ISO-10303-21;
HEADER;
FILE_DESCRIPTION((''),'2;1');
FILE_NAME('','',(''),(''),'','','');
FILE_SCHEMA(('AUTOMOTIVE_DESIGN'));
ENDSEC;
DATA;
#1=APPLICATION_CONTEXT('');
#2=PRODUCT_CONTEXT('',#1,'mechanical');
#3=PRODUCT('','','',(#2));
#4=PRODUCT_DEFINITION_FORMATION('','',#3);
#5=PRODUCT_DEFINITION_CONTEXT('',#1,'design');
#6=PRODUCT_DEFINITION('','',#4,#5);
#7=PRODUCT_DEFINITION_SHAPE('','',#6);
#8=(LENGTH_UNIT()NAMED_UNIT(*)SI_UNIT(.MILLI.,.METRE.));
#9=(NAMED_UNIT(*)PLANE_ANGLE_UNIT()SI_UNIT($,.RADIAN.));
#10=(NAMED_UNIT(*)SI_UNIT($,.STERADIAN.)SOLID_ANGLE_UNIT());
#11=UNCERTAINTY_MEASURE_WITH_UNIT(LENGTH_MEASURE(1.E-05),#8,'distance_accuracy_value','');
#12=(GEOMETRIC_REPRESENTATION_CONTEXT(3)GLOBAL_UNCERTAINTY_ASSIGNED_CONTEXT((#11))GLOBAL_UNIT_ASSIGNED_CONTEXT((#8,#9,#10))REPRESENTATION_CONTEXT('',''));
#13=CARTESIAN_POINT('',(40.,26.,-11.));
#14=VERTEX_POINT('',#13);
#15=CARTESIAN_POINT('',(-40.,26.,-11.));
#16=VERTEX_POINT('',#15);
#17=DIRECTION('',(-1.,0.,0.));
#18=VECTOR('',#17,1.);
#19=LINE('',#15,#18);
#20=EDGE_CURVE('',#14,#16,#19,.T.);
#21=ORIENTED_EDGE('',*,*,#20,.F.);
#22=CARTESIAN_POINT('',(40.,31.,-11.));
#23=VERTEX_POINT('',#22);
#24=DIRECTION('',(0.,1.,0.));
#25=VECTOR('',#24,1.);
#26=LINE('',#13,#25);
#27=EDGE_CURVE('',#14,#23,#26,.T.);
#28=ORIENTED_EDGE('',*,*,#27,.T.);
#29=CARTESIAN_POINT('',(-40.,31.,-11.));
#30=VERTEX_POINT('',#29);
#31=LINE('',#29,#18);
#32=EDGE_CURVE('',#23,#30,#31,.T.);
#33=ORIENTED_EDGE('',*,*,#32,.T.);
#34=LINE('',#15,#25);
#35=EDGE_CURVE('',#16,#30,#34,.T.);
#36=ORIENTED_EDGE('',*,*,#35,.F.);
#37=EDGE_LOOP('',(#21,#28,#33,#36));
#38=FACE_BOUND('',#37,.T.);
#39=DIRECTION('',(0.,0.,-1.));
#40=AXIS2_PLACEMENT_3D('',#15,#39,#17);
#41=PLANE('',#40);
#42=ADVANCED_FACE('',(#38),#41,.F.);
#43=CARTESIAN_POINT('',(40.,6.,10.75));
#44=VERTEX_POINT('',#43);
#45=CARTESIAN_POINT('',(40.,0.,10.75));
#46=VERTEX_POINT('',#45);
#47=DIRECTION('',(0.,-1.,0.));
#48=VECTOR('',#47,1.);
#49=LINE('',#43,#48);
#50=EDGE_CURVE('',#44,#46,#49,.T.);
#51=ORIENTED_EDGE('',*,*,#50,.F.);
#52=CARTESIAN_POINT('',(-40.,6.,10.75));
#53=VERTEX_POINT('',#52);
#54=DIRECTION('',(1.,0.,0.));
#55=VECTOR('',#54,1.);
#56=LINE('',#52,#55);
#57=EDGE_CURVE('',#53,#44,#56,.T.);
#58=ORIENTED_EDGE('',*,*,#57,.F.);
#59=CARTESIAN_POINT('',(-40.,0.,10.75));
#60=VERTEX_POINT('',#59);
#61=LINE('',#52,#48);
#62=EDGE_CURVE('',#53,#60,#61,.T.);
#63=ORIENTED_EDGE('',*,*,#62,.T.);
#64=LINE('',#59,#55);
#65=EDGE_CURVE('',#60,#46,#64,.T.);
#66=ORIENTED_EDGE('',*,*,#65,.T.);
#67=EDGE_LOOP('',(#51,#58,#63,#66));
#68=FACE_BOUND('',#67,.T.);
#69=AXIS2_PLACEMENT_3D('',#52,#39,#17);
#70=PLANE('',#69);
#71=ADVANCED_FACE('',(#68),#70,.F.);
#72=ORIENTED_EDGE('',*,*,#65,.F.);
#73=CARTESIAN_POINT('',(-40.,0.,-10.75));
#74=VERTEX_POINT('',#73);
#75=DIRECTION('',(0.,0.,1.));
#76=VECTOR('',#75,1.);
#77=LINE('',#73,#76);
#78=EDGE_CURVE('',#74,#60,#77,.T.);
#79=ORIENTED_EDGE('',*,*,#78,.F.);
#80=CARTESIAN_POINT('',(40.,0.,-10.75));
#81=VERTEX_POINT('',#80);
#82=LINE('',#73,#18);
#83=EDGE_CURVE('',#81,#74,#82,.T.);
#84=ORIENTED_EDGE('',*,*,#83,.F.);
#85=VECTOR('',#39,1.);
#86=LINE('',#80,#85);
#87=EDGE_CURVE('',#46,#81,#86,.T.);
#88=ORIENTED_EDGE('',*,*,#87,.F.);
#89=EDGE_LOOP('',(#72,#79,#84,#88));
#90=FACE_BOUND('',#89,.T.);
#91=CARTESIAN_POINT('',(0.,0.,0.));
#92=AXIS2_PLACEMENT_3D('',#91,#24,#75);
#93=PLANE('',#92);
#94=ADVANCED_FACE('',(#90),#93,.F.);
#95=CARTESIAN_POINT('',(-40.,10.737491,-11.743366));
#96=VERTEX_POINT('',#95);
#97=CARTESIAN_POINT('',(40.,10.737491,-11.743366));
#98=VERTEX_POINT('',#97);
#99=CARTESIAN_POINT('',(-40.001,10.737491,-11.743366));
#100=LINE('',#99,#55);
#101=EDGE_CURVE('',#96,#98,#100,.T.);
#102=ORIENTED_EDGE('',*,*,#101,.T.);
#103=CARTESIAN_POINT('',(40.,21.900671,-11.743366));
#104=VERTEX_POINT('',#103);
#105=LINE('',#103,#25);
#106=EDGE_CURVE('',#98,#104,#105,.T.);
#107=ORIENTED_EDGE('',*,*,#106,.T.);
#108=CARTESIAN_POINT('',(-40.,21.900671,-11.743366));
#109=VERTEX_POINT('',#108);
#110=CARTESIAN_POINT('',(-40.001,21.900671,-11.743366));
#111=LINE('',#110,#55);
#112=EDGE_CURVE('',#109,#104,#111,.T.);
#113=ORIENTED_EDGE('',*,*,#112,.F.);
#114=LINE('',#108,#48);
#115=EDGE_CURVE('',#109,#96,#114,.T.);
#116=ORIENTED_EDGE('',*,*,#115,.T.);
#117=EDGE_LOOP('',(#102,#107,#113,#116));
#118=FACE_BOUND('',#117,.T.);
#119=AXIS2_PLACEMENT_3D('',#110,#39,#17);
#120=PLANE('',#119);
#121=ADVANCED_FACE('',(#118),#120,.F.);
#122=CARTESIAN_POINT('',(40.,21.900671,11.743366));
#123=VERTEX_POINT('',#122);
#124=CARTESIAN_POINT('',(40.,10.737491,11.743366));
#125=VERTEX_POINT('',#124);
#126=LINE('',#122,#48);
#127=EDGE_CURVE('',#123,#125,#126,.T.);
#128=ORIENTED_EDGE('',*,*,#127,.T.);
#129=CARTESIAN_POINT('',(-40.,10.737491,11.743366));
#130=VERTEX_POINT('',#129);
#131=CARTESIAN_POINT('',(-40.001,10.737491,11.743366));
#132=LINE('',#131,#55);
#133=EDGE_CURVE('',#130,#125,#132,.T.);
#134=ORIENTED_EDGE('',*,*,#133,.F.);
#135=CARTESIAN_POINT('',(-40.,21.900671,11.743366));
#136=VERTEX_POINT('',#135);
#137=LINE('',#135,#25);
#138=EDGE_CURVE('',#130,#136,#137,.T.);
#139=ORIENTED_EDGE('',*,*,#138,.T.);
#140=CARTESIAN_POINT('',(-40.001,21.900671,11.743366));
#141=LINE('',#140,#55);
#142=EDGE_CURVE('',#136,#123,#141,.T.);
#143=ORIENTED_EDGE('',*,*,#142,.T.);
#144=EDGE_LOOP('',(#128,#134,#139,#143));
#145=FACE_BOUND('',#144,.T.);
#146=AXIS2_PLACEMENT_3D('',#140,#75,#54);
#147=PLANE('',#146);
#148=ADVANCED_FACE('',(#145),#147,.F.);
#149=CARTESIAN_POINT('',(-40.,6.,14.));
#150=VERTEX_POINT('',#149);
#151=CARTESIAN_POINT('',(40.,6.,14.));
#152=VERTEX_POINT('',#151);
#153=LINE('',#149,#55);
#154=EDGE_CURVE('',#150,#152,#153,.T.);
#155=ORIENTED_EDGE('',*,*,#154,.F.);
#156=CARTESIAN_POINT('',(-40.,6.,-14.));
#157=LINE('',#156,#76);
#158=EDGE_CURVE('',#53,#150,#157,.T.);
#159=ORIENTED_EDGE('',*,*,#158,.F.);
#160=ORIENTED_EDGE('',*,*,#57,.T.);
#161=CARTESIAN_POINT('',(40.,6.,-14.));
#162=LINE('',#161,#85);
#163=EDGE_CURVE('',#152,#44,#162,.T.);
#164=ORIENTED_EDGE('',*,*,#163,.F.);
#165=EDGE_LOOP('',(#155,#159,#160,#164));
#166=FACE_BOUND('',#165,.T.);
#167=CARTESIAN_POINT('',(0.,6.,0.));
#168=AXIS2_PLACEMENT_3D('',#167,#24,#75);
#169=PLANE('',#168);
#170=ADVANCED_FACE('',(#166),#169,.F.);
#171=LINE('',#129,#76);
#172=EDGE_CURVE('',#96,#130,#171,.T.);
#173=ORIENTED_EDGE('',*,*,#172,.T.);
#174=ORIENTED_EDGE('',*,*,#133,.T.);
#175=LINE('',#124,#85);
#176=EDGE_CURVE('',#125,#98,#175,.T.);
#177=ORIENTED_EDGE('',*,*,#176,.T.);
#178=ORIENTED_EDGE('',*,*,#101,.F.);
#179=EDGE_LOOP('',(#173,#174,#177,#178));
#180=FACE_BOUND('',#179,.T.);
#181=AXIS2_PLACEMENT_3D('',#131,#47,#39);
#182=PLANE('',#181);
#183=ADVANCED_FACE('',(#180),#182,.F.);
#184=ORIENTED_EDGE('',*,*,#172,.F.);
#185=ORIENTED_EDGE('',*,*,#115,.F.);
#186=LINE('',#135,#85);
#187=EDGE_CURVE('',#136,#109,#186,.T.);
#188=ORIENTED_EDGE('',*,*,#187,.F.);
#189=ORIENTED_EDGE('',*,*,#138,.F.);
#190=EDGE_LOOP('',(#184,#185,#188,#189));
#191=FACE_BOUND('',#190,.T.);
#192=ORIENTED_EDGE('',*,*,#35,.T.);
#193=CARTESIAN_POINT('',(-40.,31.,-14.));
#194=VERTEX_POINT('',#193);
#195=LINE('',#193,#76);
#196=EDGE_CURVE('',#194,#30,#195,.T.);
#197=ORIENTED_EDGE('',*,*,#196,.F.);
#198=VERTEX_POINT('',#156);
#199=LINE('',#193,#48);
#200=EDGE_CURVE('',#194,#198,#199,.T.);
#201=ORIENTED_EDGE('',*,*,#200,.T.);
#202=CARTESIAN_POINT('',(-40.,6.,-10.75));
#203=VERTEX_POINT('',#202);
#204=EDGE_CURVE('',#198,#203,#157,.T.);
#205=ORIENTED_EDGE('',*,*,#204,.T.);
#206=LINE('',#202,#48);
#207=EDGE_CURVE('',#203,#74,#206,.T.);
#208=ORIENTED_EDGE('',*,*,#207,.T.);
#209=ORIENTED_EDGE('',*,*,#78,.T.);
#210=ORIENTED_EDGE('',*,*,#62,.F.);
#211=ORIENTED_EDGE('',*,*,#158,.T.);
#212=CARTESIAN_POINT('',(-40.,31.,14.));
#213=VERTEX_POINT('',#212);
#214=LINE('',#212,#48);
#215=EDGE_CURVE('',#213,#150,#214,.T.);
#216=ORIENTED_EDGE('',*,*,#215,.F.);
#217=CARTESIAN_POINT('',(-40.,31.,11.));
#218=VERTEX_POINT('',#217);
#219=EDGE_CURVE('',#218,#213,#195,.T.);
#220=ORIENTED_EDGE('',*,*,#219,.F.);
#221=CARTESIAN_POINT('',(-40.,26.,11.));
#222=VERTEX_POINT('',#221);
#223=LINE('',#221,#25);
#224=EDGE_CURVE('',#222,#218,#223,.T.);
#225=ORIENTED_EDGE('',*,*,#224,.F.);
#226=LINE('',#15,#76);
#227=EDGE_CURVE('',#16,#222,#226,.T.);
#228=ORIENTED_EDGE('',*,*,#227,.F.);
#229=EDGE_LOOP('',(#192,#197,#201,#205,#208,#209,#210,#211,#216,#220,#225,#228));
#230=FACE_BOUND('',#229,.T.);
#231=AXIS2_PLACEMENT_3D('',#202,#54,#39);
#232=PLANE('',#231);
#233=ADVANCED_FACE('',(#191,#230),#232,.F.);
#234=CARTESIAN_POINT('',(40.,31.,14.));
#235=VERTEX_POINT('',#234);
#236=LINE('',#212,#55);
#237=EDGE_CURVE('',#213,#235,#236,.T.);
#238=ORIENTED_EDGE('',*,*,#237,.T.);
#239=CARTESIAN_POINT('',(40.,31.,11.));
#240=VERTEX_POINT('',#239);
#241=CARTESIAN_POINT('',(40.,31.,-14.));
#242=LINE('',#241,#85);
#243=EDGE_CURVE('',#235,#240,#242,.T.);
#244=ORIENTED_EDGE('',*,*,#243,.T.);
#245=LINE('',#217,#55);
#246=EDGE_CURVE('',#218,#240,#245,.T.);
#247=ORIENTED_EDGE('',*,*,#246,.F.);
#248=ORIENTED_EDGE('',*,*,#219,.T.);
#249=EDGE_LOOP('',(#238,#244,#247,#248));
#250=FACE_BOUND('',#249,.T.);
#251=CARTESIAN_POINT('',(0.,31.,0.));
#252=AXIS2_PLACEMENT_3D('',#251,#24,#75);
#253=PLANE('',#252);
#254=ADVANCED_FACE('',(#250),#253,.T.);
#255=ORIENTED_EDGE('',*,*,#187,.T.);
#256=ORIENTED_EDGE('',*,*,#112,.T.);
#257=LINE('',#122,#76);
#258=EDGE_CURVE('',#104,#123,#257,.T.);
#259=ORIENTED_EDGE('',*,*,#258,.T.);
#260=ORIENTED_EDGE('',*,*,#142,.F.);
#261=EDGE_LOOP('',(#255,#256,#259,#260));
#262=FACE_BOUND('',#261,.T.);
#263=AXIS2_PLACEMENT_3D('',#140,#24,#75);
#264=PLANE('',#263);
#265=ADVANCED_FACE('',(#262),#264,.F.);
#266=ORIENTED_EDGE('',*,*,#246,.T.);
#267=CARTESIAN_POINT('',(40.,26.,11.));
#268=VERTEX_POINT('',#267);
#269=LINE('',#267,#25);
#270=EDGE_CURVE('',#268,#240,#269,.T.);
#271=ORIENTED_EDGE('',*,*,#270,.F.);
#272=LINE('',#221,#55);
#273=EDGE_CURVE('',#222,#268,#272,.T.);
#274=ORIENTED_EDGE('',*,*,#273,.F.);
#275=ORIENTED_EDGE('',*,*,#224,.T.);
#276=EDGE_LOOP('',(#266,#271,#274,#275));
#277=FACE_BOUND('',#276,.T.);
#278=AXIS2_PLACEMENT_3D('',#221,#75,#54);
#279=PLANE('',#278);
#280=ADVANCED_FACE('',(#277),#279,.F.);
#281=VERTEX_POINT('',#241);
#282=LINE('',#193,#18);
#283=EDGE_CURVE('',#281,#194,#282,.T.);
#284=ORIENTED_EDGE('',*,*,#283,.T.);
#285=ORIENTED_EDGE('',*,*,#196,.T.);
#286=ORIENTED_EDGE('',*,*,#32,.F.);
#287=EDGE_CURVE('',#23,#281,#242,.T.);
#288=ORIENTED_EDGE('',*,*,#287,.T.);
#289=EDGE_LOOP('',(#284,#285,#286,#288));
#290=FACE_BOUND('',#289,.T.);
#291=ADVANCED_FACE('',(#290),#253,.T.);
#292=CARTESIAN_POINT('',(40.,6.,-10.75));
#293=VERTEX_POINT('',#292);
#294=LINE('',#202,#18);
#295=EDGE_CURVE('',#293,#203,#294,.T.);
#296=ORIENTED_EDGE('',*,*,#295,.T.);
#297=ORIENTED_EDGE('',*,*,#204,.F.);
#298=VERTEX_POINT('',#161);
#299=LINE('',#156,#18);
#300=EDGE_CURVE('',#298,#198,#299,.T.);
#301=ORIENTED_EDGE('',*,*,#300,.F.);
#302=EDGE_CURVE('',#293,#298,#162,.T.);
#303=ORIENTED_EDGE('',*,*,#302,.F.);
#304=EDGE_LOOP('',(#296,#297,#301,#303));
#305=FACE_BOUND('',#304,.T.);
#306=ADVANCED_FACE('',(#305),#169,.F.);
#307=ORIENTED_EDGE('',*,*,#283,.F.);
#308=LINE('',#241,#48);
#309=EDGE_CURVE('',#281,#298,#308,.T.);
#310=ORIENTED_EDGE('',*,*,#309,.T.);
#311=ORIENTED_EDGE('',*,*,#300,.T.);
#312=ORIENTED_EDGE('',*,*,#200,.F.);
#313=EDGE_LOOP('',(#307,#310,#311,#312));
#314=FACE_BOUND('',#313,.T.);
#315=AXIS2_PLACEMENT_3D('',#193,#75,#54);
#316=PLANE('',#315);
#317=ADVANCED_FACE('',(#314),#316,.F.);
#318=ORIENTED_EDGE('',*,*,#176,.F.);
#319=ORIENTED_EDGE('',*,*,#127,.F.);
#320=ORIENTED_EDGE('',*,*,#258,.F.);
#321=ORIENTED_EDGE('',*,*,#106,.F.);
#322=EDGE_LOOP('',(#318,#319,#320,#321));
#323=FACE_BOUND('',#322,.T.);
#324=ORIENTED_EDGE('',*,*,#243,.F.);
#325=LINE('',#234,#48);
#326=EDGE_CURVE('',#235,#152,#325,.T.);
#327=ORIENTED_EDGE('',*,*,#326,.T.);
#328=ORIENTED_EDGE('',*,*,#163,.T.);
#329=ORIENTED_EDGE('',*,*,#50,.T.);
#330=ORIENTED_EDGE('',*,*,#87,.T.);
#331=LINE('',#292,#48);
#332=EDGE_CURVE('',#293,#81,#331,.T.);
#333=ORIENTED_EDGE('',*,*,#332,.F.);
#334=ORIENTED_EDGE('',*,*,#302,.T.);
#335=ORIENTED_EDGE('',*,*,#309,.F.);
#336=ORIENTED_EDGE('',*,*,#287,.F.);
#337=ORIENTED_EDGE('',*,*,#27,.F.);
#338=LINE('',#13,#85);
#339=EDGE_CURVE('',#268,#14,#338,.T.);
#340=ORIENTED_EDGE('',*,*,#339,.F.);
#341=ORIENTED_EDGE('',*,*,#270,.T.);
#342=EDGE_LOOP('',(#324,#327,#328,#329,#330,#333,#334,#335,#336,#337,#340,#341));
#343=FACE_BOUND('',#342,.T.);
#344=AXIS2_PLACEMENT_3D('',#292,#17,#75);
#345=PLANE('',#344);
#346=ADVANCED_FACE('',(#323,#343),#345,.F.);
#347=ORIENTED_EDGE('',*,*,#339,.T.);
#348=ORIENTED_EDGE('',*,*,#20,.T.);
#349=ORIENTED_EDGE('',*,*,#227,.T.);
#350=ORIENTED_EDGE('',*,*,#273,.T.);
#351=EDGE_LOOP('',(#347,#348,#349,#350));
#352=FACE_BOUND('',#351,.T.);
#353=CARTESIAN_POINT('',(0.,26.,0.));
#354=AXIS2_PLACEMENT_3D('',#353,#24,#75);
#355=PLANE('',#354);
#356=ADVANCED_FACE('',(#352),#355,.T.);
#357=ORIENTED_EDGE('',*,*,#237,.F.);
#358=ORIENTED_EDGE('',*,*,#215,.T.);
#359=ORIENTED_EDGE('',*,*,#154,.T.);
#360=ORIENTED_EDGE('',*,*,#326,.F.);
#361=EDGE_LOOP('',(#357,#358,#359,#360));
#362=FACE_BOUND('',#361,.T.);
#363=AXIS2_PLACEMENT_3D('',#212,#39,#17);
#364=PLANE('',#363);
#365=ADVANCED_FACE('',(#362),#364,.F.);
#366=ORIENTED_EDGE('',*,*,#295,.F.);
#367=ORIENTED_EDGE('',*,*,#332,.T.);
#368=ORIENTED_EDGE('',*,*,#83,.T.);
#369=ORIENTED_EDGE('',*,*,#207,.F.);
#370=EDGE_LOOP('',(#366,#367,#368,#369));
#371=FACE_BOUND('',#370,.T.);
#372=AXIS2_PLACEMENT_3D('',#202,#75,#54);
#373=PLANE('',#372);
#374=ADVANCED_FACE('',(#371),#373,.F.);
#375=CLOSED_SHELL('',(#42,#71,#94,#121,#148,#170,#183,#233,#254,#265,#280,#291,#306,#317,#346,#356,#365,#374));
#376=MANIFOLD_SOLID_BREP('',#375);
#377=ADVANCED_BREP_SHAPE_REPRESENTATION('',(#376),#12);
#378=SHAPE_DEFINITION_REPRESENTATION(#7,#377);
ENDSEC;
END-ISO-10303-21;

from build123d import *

# Parameters (mm, degrees)
SKETCH1_W           = 80
SKETCH1_H           = 21.5
BOSS_EXTRUDE1_DEPTH = 6
SKETCH2_W           = 80
SKETCH2_H           = 28
BOSS_EXTRUDE2_DEPTH = 25
SKETCH3_W           = 80
SKETCH3_H           = 22
CUT_EXTRUDE1_DEPTH  = 5
CUT_EXTRUDE2_REACH  = 88.931
SKETCH4_W           = 23.48673248
SKETCH4_H           = 11.163179787


with BuildPart() as part:
    # Sketch1 → Boss-Extrude1 (new body)
    with BuildSketch(Plane(origin=(0, 0, 0), x_dir=(1, 0, 0), z_dir=(0, 1, 0))):
        Rectangle(SKETCH1_W, SKETCH1_H)
    extrude(amount=BOSS_EXTRUDE1_DEPTH)

    # Sketch2 → Boss-Extrude2 (add)
    with BuildSketch(Plane(origin=(0, 6, 0), x_dir=(1, 0, 0), z_dir=(0, 1, 0))):
        Rectangle(SKETCH2_W, SKETCH2_H)
    extrude(amount=BOSS_EXTRUDE2_DEPTH)

    # Sketch3 → Cut-Extrude1 (cut)
    with BuildSketch(Plane(origin=(0, 31, 0), x_dir=(1, 0, 0), z_dir=(0, 1, 0))):
        Rectangle(SKETCH3_W, SKETCH3_H)
    extrude(amount=-CUT_EXTRUDE1_DEPTH, mode=Mode.SUBTRACT)

    # Sketch4 → Cut-Extrude2 (cut, up to next)
    with BuildSketch(Plane(origin=(40, 0, 0), x_dir=(0, 0, -1), z_dir=(1, 0, 0)), mode=Mode.PRIVATE) as cut_extrude2_sk1:
        with Locations((0, 16.319081307)):
            Rectangle(SKETCH4_W, SKETCH4_H)
    cut_extrude2_tool1 = extrude(cut_extrude2_sk1.sketch, amount=-CUT_EXTRUDE2_REACH, mode=Mode.PRIVATE) & part.part
    add(cut_extrude2_tool1.solids().sort_by_distance((40, 16.319081, 0))[0], mode=Mode.SUBTRACT)


solid = part.part
